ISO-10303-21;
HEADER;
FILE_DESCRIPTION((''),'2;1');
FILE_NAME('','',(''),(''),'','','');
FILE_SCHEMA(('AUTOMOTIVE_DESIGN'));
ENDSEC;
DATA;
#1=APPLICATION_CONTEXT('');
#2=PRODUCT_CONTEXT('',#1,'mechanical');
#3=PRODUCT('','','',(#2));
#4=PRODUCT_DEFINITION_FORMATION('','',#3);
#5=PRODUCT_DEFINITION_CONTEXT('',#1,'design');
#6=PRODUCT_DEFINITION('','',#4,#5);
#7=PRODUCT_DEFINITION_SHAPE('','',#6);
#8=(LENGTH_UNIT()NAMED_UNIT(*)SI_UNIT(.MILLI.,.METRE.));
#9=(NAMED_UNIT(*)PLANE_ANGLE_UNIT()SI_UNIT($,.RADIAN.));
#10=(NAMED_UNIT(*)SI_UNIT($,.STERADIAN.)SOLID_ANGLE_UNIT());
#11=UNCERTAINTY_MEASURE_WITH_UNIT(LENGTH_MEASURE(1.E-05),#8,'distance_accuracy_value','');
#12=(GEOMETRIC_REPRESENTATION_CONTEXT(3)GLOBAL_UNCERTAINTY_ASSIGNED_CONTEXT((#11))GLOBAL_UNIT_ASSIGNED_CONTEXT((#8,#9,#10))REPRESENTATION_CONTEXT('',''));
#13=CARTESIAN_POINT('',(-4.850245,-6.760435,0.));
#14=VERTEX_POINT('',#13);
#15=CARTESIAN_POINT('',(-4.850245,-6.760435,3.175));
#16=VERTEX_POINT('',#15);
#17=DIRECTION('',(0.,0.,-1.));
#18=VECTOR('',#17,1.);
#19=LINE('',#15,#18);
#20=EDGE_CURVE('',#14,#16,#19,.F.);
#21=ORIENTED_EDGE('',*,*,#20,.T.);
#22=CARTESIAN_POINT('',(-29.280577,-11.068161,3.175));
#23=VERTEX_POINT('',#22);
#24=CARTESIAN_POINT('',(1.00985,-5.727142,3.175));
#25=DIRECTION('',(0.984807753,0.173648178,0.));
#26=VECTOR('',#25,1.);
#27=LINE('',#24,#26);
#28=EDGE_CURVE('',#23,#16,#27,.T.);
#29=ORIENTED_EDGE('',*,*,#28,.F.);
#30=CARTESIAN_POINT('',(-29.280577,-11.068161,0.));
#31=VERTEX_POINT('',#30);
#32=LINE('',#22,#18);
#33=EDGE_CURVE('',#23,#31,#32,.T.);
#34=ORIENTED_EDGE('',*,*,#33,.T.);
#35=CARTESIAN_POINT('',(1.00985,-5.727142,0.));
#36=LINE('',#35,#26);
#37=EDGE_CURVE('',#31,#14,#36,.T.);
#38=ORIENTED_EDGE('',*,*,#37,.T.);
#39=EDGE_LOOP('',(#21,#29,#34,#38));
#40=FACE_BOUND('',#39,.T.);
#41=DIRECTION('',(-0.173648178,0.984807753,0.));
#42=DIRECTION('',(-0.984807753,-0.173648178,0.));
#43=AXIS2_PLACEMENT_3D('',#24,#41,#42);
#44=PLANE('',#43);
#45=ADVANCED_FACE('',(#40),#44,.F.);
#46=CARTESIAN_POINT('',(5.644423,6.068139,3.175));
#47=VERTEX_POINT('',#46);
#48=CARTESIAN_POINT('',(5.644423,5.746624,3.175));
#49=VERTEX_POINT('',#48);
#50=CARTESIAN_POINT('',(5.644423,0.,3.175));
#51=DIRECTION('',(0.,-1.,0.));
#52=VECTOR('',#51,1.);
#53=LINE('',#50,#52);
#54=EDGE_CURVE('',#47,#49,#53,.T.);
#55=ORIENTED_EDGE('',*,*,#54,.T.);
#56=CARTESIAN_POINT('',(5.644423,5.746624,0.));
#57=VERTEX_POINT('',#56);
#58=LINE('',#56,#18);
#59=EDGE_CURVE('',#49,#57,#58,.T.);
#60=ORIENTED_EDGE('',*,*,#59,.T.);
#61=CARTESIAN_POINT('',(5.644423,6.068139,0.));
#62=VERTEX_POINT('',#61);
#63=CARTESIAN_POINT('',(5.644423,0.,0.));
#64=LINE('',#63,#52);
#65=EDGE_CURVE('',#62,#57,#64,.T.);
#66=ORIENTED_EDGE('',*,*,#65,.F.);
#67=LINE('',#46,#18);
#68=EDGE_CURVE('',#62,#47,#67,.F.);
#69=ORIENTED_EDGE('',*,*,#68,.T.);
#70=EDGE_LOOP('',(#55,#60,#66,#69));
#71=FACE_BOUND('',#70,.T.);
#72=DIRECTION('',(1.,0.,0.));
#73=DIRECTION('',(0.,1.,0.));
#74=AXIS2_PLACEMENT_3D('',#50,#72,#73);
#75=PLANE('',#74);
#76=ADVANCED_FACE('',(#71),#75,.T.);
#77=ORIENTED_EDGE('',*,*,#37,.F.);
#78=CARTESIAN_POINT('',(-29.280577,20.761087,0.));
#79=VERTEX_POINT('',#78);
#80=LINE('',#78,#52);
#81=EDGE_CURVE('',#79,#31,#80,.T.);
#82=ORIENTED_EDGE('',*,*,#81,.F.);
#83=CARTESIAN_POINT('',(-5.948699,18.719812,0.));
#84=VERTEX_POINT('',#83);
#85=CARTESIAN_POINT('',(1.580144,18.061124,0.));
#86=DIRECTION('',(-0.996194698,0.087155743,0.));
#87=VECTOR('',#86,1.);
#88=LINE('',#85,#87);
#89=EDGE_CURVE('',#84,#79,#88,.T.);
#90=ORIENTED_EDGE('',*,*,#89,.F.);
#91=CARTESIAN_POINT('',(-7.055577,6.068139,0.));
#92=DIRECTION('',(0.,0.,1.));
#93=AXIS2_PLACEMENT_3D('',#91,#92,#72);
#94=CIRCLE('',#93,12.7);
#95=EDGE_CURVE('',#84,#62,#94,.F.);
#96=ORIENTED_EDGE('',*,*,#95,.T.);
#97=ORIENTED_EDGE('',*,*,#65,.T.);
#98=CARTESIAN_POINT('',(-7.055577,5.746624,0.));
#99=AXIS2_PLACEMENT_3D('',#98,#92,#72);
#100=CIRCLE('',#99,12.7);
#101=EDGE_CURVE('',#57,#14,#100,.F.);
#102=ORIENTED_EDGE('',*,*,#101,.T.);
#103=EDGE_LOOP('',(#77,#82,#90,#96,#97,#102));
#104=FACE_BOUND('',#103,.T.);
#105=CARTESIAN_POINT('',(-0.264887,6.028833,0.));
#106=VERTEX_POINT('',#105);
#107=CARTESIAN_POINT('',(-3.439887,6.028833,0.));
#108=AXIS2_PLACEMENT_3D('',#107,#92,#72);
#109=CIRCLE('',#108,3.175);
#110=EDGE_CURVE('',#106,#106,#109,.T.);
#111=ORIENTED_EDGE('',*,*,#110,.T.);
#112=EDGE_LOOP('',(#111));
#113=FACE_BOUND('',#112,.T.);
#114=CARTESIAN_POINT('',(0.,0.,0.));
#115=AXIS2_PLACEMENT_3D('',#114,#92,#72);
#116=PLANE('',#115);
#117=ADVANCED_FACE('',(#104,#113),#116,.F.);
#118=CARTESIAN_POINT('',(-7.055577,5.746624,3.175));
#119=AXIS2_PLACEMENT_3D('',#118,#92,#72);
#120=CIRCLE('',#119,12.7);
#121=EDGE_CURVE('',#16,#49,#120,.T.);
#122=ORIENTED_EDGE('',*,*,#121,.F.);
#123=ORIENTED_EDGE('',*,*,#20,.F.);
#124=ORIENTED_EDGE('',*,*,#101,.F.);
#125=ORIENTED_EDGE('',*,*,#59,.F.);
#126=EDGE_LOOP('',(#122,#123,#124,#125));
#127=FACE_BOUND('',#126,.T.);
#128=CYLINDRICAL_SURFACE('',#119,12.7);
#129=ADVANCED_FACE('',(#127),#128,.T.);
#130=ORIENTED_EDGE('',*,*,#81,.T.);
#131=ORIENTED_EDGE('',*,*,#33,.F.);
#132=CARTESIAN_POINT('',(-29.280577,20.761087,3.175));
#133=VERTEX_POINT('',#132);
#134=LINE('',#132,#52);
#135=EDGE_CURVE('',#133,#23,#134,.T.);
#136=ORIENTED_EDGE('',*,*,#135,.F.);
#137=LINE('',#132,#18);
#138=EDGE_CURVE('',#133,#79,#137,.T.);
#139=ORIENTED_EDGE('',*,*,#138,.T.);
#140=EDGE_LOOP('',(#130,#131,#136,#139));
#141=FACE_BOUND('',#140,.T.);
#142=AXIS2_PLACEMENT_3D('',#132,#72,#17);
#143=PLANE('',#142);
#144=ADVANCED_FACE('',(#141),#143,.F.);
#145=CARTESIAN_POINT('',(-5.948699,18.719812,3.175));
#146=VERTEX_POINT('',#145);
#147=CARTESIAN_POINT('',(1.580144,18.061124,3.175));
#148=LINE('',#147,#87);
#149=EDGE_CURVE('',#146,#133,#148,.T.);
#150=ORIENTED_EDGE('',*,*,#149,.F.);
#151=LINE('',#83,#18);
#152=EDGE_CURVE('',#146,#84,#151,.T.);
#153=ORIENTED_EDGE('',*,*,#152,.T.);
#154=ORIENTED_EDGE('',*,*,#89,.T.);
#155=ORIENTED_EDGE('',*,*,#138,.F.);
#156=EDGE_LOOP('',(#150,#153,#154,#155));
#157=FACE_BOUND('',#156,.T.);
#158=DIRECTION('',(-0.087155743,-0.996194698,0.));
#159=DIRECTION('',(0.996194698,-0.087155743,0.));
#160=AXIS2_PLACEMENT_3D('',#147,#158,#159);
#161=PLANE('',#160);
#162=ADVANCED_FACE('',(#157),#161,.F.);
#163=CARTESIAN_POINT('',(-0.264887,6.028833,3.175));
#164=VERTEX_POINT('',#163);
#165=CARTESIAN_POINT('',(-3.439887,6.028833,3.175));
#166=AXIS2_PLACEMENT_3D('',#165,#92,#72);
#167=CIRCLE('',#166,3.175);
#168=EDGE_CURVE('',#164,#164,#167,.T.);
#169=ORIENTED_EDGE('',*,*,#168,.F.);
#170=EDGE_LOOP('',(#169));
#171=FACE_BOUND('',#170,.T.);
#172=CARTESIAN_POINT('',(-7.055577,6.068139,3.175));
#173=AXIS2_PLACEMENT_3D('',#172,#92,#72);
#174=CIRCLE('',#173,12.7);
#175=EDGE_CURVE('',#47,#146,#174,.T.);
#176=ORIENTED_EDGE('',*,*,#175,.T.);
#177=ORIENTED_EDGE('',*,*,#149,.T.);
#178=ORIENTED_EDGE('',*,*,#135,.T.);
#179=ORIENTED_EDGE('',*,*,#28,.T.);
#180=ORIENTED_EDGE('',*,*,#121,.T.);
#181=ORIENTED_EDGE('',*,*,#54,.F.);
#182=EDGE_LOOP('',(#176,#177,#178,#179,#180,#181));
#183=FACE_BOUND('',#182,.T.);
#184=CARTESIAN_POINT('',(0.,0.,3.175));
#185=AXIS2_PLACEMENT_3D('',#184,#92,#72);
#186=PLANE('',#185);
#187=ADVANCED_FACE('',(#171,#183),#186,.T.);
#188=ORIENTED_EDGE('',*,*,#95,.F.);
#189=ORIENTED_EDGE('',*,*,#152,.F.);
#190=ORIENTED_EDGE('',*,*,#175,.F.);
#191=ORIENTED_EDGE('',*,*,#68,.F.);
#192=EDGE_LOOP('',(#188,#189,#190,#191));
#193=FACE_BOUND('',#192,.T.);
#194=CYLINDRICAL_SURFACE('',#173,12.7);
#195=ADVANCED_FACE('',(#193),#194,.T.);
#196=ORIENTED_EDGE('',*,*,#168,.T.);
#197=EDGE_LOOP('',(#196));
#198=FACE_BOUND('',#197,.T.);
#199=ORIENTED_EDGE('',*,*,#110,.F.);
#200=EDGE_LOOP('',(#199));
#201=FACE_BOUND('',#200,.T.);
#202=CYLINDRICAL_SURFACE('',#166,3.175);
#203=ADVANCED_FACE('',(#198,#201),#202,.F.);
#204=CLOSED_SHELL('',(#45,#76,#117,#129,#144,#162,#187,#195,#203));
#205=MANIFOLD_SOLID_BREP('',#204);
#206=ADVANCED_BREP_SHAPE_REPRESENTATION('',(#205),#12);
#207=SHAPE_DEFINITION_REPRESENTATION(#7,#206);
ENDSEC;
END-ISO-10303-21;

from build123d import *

# Parameters (mm, degrees)
SKETCH1_W                       = 66.08808118
SKETCH1_H                       = 37.717352964
BOSS_EXTRUDE1_DEPTH             = 3.175
F_1_4_0_25_DIAMETER_HOLE1_D     = 6.35
F_1_4_0_25_DIAMETER_HOLE1_DEPTH = 9.268267535
F_1_4_0_25_DIAMETER_HOLE1_TIP   = 1.907732465
CUT_EXTRUDE1_DEPTH              = 43.378010118
FILLET1_R                       = 12.7


with BuildPart() as part:
    # Sketch1 → Boss-Extrude1 (new body)
    with BuildSketch(Plane.XY):
        with Locations((3.763463947, 1.902410347)):
            Rectangle(SKETCH1_W, SKETCH1_H)
    extrude(amount=BOSS_EXTRUDE1_DEPTH)

    # 1/4 (0.25) Diameter Hole1
    with Locations(Plane.XY.offset(3.175)):
        with Locations((-3.439886643, 6.028832829)):
            Hole(F_1_4_0_25_DIAMETER_HOLE1_D / 2, depth=F_1_4_0_25_DIAMETER_HOLE1_DEPTH)
            with Locations((0, 0, -(F_1_4_0_25_DIAMETER_HOLE1_DEPTH + F_1_4_0_25_DIAMETER_HOLE1_TIP / 2))):  # 118° drill point
                Cone(0, F_1_4_0_25_DIAMETER_HOLE1_D / 2, F_1_4_0_25_DIAMETER_HOLE1_TIP, mode=Mode.SUBTRACT)

    # Sketch4 → Cut-Extrude1 (cut, through all)
    with BuildSketch(Plane(origin=(0, 0, 0), x_dir=(-1, 0, 0), z_dir=(0, 0, -1))):
        Polygon((-5.644423357, 17.705545255), (29.280576643, 20.761086829), (-36.807504537, 20.761086829), (-36.807504537, -16.956266135), (29.280576643, -16.956266135), (29.280576643, -11.068161171), (-5.644423357, -4.90994137), align=None)
    extrude(amount=-CUT_EXTRUDE1_DEPTH, mode=Mode.SUBTRACT)

    # Fillet1
    fillet1_edges = [part.edges().sort_by_distance(p)[0] for p in [
        (5.644423357, 17.705545255, 1.5875),
        (5.644423357, -4.90994137, 1.5875),
    ]]
    fillet(fillet1_edges, radius=FILLET1_R)


solid = part.part
